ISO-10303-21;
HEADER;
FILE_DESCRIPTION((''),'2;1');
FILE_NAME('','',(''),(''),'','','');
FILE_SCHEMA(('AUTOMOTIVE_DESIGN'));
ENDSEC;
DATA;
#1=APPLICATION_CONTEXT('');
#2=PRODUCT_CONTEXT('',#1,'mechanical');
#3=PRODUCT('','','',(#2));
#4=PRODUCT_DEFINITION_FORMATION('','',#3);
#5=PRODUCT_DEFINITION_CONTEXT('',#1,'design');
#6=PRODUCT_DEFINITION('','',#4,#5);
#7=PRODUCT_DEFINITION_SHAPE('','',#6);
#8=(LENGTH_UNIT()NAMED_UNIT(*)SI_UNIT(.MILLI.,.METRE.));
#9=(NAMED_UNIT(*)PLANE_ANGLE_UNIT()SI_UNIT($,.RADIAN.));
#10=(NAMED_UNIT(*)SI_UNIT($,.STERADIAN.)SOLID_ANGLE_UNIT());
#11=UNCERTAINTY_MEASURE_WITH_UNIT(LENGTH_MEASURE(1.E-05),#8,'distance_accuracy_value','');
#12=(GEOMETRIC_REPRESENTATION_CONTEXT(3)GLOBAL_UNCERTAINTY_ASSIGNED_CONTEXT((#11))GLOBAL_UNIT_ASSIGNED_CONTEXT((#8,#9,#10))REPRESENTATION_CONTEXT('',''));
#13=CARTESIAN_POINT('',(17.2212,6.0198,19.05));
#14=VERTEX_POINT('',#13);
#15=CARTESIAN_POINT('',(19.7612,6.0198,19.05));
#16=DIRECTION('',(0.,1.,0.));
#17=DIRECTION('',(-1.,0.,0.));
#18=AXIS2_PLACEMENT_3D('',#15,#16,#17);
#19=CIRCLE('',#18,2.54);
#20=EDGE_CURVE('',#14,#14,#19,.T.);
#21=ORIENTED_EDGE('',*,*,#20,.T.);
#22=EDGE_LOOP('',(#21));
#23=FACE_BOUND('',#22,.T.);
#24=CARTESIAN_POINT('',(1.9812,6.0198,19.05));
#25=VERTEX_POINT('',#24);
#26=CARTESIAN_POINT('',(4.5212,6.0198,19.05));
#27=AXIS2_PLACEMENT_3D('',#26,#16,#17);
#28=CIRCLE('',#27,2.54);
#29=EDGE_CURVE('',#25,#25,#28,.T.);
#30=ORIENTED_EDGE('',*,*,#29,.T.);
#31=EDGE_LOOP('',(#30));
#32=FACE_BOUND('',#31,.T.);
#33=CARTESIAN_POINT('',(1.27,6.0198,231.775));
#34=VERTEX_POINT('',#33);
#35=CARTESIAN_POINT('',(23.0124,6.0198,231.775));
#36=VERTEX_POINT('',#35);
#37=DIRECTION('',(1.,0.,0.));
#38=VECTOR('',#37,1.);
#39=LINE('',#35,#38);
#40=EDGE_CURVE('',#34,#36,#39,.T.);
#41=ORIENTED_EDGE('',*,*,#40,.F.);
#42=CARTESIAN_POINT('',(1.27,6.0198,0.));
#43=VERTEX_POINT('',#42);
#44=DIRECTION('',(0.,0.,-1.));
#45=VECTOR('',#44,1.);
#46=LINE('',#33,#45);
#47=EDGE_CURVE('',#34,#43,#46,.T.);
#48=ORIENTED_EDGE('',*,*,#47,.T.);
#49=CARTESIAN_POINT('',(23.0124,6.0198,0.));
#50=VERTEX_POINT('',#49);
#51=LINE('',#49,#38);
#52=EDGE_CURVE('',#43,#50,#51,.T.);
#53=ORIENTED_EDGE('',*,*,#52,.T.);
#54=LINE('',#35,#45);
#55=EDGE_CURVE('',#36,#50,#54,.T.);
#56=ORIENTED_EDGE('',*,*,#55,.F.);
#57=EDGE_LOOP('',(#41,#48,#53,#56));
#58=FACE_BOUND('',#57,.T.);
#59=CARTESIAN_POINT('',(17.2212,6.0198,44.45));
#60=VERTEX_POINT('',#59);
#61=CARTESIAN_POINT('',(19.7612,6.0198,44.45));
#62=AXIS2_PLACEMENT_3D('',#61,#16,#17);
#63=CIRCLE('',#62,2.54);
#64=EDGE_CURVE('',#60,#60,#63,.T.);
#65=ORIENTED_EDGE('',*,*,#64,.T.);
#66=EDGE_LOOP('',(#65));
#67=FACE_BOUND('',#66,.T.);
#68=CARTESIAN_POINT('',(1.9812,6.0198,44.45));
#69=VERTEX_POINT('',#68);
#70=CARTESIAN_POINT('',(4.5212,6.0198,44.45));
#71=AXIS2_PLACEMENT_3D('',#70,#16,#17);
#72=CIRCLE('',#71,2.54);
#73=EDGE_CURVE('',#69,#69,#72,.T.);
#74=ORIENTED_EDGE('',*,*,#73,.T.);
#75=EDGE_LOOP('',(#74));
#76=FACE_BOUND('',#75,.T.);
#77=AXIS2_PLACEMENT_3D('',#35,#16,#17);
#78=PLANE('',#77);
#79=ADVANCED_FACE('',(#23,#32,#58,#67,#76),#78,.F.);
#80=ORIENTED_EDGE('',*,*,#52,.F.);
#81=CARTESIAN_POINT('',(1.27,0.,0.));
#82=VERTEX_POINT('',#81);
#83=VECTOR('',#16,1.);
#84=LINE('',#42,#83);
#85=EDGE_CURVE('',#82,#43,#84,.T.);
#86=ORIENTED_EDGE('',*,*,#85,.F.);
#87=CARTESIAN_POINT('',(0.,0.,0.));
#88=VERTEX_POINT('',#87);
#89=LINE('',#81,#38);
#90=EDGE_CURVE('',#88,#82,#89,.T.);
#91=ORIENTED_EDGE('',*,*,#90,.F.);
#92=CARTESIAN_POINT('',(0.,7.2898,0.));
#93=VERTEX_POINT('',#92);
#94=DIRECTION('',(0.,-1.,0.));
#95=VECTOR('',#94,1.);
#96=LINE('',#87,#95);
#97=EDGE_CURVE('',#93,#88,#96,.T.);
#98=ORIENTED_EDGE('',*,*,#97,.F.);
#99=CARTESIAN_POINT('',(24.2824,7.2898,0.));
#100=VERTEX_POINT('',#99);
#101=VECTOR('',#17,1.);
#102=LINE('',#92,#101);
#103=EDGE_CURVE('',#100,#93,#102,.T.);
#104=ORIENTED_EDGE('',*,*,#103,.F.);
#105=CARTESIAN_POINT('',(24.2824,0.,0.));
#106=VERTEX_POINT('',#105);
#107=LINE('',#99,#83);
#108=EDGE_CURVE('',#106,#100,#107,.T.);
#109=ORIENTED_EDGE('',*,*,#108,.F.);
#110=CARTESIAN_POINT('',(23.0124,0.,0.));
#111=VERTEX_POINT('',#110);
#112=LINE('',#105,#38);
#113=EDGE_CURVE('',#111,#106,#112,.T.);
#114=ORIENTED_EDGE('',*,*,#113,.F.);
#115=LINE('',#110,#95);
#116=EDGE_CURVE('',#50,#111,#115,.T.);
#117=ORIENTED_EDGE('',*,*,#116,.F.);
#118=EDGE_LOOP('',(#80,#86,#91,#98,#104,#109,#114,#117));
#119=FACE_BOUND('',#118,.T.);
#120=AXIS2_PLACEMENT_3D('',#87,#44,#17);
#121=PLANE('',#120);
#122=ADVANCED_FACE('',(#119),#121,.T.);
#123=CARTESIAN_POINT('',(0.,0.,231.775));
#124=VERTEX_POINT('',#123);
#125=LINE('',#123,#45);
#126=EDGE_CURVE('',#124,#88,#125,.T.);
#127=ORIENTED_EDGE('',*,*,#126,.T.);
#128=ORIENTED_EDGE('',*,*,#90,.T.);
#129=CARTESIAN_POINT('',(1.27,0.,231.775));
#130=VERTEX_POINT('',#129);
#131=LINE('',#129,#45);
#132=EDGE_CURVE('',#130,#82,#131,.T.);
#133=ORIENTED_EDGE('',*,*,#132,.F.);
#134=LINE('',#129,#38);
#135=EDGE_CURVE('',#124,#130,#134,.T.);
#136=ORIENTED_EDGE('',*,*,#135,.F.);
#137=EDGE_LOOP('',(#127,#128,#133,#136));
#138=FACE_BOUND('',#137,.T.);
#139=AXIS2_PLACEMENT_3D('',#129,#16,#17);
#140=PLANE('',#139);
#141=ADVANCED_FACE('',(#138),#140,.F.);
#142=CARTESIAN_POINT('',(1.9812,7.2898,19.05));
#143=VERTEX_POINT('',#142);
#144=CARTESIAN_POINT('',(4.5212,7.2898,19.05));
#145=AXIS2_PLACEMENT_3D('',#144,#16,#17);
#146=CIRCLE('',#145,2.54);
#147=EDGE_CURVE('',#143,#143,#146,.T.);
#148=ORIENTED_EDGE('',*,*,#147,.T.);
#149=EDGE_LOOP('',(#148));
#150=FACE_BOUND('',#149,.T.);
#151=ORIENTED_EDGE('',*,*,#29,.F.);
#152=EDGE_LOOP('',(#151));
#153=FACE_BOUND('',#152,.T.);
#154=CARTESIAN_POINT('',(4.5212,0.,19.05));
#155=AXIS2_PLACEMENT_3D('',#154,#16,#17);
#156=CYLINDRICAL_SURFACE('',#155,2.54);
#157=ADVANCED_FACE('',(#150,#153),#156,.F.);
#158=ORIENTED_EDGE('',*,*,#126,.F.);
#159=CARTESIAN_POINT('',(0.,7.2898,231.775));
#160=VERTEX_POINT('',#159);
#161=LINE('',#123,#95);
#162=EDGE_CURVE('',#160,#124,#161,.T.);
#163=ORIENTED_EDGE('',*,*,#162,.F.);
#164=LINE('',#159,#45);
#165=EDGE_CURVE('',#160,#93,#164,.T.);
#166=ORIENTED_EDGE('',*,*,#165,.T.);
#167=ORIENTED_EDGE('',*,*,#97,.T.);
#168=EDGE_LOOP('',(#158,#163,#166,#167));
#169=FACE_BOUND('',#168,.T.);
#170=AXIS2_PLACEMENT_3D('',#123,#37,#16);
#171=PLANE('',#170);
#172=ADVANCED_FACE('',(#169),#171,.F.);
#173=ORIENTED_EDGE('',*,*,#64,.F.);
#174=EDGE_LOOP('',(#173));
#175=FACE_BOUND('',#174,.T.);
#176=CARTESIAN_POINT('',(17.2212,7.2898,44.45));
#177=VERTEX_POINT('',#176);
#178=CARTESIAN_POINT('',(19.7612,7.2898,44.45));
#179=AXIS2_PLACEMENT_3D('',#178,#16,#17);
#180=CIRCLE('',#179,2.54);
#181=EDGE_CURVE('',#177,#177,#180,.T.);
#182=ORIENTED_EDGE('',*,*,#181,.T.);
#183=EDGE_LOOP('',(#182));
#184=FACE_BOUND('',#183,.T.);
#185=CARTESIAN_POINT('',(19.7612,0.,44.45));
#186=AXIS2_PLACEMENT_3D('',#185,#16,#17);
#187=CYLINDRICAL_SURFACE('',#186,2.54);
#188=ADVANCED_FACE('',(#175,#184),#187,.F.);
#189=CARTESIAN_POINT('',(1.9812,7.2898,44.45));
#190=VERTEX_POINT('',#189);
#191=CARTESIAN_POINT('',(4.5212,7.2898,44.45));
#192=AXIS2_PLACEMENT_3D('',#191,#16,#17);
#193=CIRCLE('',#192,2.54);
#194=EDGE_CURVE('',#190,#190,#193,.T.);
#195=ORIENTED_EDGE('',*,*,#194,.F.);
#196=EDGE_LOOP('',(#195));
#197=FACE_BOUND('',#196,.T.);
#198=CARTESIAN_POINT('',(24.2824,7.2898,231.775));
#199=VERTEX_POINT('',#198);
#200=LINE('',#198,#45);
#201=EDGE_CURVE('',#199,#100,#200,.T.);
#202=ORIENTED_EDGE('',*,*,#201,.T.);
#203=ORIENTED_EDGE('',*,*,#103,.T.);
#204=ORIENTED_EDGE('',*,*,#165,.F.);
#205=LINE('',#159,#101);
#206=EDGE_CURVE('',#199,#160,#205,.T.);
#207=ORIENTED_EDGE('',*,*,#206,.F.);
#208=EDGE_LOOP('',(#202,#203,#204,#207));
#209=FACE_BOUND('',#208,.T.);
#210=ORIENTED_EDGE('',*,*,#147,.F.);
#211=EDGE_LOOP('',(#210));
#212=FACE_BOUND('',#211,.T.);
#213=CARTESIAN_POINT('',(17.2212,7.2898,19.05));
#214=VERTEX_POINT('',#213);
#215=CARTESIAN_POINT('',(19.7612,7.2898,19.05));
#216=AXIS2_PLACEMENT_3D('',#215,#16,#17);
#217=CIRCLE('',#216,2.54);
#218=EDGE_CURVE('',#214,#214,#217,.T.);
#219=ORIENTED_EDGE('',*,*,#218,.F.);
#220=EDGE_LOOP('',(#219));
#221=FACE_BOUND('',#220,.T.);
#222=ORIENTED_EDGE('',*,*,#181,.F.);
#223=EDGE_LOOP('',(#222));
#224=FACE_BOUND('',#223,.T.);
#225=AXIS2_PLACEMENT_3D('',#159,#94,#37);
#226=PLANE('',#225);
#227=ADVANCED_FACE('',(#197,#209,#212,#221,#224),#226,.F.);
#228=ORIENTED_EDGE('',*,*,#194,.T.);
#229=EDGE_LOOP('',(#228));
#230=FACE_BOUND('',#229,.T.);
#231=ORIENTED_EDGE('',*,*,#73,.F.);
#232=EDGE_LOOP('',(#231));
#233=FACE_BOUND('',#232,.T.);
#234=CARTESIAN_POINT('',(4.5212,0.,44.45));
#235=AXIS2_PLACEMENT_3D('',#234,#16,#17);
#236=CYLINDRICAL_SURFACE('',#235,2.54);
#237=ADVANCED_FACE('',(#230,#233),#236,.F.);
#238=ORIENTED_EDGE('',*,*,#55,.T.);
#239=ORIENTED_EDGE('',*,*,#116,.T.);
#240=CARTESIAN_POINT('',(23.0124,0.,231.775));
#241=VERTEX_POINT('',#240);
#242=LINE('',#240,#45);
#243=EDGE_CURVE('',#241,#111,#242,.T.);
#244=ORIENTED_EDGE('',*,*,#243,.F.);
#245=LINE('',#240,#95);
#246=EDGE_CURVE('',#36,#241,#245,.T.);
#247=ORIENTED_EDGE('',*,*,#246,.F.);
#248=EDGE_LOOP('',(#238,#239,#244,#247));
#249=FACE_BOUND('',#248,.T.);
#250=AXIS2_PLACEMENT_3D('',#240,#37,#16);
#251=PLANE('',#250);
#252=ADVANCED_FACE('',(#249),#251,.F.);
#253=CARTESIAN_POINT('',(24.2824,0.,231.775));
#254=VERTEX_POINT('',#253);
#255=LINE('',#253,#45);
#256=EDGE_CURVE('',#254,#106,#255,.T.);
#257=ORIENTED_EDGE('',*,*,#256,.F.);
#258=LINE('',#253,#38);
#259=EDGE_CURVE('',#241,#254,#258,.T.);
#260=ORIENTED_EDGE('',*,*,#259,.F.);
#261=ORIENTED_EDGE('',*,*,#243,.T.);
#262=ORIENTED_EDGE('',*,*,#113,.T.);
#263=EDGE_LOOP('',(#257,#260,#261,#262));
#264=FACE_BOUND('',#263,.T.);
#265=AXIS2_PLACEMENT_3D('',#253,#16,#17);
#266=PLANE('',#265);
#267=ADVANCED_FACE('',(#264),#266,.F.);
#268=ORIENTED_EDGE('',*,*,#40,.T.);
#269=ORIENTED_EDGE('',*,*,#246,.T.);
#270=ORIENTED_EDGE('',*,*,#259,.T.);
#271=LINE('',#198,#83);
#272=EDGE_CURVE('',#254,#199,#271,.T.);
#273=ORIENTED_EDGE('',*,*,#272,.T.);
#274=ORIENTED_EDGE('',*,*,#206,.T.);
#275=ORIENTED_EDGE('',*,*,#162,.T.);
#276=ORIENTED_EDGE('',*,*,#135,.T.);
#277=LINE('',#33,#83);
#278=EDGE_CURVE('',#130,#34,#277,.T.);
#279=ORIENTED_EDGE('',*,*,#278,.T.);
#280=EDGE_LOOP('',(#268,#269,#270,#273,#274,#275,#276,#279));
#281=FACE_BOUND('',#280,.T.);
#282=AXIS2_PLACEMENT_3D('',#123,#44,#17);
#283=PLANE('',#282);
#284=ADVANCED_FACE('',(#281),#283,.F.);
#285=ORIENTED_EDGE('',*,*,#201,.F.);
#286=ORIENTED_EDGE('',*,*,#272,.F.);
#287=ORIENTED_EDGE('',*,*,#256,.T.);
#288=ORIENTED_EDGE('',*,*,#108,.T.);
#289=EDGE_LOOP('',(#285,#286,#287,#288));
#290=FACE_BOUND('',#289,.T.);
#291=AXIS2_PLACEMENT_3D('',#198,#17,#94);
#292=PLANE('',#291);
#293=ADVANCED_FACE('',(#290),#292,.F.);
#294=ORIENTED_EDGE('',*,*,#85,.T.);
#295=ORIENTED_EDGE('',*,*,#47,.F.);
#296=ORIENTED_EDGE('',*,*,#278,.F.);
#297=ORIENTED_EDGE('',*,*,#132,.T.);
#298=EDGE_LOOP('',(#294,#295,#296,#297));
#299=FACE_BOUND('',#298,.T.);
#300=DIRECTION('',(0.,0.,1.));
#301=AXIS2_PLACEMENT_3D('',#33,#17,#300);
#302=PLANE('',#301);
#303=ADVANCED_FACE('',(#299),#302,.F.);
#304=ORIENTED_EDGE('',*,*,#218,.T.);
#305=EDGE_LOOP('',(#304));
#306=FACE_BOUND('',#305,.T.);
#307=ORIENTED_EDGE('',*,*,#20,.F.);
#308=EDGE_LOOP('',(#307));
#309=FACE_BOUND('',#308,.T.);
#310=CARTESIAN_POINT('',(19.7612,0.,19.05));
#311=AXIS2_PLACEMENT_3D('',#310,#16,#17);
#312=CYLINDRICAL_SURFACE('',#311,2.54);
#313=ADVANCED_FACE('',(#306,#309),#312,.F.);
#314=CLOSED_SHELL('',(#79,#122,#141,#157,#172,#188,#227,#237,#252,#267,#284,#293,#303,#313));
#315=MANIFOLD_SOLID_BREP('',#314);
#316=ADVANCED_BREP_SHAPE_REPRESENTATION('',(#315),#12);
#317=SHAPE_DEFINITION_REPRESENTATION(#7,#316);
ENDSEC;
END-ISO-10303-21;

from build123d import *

# Parameters (mm, degrees)
BOSS_EXTRUDE1_DEPTH = 231.775
SKETCH2_R           = 2.54
CUT_EXTRUDE1_DEPTH  = 8.2898


with BuildPart() as part:
    # Sketch1 → Boss-Extrude1 (new body)
    with BuildSketch(Plane.XY):
        Polygon((0, 0), (0, 7.2898), (24.2824, 7.2898), (24.2824, 0), (23.0124, 0), (23.0124, 6.0198), (1.27, 6.0198), (1.27, 0), align=None)
    extrude(amount=BOSS_EXTRUDE1_DEPTH)

    # Sketch2 → Cut-Extrude1 (cut, through all)
    with BuildSketch(Plane(origin=(0, 7.2898, 0), x_dir=(1, 0, 0), z_dir=(0, 1, 0))):
        with Locations((4.5212, -19.05)):
            Circle(SKETCH2_R)
        with Locations((19.7612, -19.05)):
            Circle(SKETCH2_R)
        with Locations((19.7612, -44.45)):
            Circle(SKETCH2_R)
        with Locations((4.5212, -44.45)):
            Circle(SKETCH2_R)
    extrude(amount=-CUT_EXTRUDE1_DEPTH, mode=Mode.SUBTRACT)


solid = part.part
